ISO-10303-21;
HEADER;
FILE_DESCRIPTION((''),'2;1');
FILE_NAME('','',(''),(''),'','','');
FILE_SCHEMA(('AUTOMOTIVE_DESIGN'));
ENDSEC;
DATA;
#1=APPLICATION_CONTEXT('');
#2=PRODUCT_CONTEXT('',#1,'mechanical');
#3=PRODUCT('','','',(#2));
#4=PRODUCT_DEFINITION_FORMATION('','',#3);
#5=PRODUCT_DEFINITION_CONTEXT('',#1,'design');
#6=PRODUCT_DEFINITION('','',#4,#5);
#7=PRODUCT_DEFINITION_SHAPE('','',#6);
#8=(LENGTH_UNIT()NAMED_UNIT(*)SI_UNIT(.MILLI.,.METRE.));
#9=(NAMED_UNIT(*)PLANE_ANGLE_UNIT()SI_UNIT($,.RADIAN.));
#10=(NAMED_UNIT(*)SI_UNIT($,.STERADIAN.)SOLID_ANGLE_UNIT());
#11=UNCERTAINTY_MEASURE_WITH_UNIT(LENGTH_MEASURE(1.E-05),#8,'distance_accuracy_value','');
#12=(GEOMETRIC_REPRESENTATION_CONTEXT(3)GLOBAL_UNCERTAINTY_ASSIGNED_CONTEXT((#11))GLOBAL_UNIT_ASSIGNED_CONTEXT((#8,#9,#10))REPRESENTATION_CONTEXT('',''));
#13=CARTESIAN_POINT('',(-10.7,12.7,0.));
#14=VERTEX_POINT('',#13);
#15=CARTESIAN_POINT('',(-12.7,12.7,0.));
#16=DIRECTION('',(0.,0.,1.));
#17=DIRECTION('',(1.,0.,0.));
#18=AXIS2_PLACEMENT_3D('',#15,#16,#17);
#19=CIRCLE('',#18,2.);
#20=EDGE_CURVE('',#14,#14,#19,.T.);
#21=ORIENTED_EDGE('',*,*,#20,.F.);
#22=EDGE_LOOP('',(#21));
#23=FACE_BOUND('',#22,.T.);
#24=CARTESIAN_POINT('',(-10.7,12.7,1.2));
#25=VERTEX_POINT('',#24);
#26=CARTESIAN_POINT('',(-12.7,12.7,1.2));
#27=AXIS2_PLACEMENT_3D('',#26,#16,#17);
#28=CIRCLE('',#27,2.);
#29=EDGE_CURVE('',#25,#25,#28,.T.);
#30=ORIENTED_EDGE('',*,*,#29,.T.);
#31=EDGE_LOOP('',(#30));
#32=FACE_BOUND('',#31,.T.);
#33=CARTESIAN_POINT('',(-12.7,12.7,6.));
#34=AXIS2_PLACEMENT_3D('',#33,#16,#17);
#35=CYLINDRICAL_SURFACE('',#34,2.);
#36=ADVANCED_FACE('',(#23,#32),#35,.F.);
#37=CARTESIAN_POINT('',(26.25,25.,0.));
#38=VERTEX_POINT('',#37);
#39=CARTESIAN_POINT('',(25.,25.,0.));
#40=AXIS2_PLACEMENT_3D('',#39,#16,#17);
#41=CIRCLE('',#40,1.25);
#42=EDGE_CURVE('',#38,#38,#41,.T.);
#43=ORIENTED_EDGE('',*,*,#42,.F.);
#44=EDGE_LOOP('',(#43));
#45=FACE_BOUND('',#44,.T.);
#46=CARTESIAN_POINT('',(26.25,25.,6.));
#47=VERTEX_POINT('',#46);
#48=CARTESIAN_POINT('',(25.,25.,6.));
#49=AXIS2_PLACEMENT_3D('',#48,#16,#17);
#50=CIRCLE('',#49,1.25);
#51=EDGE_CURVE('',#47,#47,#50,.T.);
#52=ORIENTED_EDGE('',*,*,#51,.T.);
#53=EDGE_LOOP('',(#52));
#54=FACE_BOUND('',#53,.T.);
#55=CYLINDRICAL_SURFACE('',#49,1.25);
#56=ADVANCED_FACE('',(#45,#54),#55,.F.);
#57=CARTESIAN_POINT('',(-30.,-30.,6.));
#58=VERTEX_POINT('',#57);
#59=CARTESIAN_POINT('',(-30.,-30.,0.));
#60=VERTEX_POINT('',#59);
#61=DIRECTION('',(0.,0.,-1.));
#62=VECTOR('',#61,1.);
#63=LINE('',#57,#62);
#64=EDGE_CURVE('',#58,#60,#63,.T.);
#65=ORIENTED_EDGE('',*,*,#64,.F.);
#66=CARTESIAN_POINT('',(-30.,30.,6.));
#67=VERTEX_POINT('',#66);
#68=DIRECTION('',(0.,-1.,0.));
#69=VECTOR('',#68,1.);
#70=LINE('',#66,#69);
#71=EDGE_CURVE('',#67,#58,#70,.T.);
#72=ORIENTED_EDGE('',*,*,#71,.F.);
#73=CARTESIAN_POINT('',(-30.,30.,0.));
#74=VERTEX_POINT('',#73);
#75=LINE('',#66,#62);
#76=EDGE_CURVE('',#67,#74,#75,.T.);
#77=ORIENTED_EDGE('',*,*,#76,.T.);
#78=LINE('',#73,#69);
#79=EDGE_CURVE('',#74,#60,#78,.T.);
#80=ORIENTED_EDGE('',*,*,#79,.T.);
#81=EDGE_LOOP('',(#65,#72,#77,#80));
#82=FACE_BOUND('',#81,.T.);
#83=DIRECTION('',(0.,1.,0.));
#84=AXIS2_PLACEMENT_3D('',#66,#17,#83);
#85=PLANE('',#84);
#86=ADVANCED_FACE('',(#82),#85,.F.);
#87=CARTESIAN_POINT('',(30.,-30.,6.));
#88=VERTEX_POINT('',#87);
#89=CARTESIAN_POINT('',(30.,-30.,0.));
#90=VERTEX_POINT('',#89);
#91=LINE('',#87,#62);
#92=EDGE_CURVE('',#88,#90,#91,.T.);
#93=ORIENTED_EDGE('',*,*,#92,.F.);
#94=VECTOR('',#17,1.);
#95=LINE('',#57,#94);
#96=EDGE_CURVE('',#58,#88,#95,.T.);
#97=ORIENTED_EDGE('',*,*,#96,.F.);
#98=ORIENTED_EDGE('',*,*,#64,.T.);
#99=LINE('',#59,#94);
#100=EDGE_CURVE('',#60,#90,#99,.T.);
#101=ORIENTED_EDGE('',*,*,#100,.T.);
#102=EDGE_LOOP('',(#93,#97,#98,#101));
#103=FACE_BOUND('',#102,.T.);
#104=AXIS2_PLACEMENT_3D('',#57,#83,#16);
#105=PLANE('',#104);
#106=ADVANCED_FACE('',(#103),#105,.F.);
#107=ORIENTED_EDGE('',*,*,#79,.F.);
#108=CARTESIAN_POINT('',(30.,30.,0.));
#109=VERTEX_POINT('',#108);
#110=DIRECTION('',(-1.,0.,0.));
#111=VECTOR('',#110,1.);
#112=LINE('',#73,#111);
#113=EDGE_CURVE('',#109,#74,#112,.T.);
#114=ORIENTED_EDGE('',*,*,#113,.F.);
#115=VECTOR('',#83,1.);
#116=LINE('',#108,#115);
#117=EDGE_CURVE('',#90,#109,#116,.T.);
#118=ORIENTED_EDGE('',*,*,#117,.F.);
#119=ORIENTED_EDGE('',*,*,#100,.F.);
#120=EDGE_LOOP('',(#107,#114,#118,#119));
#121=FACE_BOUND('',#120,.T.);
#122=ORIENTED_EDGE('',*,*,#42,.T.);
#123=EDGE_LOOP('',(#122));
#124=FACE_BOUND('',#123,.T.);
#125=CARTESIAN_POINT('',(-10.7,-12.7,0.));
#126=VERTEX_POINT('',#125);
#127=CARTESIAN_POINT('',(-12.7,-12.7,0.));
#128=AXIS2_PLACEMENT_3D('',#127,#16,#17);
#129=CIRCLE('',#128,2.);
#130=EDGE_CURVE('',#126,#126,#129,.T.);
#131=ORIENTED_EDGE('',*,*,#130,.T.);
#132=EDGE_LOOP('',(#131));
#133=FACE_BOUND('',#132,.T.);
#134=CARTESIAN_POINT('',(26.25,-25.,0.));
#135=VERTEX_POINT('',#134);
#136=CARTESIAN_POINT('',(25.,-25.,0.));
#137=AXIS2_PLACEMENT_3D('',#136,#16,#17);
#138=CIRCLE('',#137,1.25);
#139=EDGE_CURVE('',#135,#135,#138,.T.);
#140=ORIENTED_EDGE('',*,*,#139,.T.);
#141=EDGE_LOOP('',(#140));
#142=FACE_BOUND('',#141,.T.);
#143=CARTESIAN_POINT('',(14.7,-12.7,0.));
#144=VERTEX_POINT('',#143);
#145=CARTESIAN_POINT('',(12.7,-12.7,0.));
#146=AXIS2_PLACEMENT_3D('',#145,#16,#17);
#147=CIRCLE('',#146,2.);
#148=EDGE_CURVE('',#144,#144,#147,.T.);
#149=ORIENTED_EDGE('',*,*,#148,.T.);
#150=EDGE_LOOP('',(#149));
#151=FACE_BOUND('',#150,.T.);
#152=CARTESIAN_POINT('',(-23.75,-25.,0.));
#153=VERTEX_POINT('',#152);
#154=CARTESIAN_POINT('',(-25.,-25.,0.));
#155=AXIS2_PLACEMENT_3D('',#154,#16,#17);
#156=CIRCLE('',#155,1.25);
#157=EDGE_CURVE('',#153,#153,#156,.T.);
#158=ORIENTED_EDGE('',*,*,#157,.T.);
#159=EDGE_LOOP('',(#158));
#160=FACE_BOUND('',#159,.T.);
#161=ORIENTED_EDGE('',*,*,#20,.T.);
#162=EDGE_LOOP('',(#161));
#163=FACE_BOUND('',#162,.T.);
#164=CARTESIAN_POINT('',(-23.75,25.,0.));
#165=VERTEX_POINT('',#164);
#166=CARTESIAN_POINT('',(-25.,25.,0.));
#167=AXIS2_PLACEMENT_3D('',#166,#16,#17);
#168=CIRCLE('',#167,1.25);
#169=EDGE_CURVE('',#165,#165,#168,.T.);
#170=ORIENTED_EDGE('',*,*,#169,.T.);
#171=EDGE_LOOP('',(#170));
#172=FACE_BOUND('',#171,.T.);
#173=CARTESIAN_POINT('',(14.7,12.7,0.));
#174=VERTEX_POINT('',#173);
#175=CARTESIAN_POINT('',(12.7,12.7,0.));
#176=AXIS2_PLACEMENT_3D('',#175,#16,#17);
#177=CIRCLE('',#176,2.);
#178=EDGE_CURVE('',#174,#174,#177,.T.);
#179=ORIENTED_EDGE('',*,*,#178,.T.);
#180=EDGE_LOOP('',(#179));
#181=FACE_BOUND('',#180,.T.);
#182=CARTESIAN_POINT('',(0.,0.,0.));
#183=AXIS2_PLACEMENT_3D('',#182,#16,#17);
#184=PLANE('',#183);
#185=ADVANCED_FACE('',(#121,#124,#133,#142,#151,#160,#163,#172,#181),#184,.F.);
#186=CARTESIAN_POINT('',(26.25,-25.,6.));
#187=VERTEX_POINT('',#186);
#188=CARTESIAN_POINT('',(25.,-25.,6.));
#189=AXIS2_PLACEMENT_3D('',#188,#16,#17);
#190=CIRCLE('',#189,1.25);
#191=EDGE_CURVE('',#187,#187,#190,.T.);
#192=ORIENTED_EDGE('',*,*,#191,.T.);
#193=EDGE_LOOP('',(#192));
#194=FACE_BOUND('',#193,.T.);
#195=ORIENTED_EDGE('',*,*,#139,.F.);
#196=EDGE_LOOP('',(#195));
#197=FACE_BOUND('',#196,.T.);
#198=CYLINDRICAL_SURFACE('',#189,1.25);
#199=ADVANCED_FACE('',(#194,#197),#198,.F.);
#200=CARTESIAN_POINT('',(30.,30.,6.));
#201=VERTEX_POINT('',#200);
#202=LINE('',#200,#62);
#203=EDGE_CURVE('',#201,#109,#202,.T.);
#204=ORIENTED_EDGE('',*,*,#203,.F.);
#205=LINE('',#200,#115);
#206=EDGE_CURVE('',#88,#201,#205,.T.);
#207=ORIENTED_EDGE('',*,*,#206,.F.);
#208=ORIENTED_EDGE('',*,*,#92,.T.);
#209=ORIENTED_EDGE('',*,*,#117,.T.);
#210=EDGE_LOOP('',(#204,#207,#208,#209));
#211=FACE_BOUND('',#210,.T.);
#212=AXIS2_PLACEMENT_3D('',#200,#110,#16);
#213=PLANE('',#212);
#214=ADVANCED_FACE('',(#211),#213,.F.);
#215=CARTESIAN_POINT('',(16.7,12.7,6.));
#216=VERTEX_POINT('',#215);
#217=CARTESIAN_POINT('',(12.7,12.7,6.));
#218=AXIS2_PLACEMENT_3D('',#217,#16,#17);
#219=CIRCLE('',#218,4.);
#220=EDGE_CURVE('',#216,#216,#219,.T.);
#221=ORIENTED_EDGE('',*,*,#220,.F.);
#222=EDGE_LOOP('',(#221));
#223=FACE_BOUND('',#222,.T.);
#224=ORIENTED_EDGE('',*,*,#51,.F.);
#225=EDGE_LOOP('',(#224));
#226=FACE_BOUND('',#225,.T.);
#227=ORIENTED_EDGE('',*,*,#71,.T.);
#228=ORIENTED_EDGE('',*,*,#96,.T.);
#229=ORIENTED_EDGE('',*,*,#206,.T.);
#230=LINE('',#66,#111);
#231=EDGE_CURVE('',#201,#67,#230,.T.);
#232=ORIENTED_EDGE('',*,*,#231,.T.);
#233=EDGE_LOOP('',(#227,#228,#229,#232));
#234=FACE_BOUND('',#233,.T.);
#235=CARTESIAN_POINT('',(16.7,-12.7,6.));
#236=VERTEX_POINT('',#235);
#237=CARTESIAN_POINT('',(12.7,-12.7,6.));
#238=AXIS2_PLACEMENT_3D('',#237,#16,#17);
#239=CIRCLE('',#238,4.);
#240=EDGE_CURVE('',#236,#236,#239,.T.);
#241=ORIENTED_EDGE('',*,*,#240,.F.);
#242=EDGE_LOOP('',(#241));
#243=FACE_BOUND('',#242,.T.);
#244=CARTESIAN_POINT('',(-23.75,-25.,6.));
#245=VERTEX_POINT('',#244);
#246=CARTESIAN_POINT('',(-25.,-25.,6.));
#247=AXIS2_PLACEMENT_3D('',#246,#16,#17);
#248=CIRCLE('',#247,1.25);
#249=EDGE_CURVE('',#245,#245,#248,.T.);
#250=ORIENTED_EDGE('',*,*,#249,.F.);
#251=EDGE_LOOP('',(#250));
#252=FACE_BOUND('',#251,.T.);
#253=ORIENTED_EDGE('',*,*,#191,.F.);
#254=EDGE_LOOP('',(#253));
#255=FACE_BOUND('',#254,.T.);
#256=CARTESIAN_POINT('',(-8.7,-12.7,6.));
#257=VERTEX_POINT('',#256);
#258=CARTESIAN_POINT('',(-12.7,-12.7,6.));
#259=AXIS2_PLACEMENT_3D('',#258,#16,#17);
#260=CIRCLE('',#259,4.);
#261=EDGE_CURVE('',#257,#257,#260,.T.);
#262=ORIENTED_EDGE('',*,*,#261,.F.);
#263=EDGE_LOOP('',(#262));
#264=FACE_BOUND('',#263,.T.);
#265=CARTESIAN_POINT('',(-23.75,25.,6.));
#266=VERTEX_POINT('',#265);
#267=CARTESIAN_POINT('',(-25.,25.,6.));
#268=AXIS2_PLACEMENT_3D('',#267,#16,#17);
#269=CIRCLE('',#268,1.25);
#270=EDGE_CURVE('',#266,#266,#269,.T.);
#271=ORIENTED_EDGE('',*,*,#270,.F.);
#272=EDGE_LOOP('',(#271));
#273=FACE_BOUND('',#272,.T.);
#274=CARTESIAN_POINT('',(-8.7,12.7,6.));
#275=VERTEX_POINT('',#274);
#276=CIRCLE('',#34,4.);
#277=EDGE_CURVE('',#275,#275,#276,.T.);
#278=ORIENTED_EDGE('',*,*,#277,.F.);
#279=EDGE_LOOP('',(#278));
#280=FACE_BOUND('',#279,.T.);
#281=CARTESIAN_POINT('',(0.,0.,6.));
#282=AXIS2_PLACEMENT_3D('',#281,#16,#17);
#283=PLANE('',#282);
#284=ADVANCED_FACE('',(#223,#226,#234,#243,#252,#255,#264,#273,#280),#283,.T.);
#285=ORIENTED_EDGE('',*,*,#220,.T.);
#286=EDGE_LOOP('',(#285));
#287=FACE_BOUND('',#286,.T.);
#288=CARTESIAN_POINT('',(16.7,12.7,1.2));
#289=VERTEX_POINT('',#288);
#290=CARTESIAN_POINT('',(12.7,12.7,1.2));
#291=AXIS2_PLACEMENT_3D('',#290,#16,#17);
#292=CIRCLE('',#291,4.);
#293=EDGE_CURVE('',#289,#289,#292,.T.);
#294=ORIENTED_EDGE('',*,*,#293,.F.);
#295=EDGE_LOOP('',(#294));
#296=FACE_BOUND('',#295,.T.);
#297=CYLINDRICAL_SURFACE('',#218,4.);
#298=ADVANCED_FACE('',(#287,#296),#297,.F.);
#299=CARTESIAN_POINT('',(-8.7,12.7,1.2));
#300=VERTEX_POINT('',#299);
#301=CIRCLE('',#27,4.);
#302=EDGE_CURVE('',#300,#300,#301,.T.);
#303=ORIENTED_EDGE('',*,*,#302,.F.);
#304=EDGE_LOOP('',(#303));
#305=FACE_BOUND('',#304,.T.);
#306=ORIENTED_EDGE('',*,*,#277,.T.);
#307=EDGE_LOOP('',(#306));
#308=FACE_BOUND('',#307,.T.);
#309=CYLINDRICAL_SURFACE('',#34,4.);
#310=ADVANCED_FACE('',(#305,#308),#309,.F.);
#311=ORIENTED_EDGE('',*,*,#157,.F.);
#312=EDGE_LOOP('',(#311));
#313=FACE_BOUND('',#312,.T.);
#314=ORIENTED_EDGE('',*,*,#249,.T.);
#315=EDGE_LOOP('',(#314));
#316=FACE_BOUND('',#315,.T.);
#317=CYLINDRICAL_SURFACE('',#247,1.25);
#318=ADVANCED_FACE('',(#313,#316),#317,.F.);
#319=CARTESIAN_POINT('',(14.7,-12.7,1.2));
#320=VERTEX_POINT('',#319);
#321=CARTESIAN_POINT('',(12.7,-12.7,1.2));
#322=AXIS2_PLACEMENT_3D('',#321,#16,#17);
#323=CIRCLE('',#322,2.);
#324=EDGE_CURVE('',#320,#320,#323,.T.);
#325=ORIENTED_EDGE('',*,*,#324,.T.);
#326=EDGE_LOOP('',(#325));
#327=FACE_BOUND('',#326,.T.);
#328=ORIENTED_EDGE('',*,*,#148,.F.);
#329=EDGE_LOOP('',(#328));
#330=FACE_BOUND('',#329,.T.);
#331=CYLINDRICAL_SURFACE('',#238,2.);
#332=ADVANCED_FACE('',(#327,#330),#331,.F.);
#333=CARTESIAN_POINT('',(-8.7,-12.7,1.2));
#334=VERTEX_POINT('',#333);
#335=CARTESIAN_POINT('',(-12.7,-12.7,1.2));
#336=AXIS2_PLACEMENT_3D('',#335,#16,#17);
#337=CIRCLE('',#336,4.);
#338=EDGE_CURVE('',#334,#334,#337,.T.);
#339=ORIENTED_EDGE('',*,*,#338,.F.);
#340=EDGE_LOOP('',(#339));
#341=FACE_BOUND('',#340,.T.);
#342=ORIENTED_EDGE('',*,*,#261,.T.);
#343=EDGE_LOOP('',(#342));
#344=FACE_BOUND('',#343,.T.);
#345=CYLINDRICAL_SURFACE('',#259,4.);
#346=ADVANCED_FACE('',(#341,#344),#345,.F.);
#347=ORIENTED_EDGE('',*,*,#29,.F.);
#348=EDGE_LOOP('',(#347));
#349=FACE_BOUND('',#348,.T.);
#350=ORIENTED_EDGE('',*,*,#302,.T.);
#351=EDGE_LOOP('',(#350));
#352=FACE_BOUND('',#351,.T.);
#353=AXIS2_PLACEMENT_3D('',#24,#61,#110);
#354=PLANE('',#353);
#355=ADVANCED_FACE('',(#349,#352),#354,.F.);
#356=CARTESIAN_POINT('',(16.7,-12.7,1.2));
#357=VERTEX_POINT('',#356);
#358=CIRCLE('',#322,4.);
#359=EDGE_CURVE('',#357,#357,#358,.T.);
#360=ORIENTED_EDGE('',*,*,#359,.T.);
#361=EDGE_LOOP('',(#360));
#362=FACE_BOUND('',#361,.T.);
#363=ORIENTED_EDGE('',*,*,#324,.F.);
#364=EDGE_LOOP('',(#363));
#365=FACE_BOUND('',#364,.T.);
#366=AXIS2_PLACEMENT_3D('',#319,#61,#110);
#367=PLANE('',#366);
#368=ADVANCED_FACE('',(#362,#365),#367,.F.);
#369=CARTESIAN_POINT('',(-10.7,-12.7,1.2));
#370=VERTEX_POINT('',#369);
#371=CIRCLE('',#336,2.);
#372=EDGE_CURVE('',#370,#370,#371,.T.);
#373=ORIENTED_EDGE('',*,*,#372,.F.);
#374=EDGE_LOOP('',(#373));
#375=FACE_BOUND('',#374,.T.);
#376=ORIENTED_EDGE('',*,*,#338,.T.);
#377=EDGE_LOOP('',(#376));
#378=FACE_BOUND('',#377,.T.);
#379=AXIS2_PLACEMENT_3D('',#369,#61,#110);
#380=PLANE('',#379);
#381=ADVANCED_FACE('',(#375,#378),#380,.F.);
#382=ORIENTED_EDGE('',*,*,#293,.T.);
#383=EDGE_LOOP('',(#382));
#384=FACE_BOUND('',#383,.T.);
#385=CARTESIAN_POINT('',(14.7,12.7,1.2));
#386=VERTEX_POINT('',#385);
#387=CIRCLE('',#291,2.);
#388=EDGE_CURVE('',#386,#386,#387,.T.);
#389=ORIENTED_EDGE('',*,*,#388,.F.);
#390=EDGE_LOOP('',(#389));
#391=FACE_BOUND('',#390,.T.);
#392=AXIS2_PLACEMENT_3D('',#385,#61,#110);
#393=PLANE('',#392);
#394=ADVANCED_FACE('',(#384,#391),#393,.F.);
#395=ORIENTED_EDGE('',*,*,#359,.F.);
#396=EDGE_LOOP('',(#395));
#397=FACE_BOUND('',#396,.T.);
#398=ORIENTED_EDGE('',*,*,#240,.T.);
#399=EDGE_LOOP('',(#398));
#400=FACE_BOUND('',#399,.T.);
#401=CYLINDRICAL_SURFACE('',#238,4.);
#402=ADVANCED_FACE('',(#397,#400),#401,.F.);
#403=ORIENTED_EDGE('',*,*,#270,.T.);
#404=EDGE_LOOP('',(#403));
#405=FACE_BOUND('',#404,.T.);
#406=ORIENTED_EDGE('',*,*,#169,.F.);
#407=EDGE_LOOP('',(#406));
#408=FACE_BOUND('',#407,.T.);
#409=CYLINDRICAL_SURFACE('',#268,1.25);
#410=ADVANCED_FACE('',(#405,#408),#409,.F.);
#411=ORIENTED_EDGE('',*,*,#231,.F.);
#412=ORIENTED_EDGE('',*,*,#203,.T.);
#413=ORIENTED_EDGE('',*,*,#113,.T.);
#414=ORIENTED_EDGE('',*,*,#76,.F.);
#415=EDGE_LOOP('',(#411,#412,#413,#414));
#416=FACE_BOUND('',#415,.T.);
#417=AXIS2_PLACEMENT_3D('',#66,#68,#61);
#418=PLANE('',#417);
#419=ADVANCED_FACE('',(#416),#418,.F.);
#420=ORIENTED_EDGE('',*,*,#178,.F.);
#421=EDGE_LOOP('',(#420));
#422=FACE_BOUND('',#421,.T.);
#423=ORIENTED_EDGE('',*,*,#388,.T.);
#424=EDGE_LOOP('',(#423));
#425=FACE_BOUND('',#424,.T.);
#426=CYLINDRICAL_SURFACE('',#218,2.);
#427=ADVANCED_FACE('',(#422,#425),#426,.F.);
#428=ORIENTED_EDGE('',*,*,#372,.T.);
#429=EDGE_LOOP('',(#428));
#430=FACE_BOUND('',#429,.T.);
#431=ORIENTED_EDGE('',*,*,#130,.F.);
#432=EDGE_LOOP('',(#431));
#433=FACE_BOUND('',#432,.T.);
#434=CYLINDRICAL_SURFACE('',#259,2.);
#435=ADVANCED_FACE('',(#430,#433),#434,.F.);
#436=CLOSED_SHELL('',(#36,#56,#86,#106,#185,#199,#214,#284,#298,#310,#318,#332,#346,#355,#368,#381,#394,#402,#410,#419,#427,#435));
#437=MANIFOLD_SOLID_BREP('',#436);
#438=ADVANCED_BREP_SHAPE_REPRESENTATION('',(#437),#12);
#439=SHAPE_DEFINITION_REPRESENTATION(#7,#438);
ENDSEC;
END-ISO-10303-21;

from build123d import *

# Parameters (mm, degrees)
SKETCH_1_W                = 60
SKETCH_1_H                = 60
EXTRUDE_1_DEPTH           = 6
HOLE_WIZARD_M3_1_D        = 2.5
HOLE_WIZARD_1_D           = 4
HOLE_WIZARD_1_CBORE_D     = 8
HOLE_WIZARD_1_CBORE_DEPTH = 4.8


with BuildPart() as part:
    # 草图1 → 凸台-拉伸1 (new body)
    with BuildSketch(Plane.XY):
        Rectangle(SKETCH_1_W, SKETCH_1_H)
    extrude(amount=EXTRUDE_1_DEPTH)

    # M3 螺纹孔1 (through all)
    with Locations(Plane(origin=(-25, 25, 6), x_dir=(1, 0, 0), z_dir=(0, 0, 1))):
        with Locations((0, 0), (50, 0), (50, -50), (0, -50)):
            Hole(HOLE_WIZARD_M3_1_D / 2)

    # 孔1 (through all)
    with Locations(Plane(origin=(-12.7, 12.7, 6), x_dir=(1, 0, 0), z_dir=(0, 0, 1))):
        with Locations((0, 0), (25.4, 0), (25.4, -25.4), (0, -25.4)):
            CounterBoreHole(HOLE_WIZARD_1_D / 2, HOLE_WIZARD_1_CBORE_D / 2, HOLE_WIZARD_1_CBORE_DEPTH)


solid = part.part
